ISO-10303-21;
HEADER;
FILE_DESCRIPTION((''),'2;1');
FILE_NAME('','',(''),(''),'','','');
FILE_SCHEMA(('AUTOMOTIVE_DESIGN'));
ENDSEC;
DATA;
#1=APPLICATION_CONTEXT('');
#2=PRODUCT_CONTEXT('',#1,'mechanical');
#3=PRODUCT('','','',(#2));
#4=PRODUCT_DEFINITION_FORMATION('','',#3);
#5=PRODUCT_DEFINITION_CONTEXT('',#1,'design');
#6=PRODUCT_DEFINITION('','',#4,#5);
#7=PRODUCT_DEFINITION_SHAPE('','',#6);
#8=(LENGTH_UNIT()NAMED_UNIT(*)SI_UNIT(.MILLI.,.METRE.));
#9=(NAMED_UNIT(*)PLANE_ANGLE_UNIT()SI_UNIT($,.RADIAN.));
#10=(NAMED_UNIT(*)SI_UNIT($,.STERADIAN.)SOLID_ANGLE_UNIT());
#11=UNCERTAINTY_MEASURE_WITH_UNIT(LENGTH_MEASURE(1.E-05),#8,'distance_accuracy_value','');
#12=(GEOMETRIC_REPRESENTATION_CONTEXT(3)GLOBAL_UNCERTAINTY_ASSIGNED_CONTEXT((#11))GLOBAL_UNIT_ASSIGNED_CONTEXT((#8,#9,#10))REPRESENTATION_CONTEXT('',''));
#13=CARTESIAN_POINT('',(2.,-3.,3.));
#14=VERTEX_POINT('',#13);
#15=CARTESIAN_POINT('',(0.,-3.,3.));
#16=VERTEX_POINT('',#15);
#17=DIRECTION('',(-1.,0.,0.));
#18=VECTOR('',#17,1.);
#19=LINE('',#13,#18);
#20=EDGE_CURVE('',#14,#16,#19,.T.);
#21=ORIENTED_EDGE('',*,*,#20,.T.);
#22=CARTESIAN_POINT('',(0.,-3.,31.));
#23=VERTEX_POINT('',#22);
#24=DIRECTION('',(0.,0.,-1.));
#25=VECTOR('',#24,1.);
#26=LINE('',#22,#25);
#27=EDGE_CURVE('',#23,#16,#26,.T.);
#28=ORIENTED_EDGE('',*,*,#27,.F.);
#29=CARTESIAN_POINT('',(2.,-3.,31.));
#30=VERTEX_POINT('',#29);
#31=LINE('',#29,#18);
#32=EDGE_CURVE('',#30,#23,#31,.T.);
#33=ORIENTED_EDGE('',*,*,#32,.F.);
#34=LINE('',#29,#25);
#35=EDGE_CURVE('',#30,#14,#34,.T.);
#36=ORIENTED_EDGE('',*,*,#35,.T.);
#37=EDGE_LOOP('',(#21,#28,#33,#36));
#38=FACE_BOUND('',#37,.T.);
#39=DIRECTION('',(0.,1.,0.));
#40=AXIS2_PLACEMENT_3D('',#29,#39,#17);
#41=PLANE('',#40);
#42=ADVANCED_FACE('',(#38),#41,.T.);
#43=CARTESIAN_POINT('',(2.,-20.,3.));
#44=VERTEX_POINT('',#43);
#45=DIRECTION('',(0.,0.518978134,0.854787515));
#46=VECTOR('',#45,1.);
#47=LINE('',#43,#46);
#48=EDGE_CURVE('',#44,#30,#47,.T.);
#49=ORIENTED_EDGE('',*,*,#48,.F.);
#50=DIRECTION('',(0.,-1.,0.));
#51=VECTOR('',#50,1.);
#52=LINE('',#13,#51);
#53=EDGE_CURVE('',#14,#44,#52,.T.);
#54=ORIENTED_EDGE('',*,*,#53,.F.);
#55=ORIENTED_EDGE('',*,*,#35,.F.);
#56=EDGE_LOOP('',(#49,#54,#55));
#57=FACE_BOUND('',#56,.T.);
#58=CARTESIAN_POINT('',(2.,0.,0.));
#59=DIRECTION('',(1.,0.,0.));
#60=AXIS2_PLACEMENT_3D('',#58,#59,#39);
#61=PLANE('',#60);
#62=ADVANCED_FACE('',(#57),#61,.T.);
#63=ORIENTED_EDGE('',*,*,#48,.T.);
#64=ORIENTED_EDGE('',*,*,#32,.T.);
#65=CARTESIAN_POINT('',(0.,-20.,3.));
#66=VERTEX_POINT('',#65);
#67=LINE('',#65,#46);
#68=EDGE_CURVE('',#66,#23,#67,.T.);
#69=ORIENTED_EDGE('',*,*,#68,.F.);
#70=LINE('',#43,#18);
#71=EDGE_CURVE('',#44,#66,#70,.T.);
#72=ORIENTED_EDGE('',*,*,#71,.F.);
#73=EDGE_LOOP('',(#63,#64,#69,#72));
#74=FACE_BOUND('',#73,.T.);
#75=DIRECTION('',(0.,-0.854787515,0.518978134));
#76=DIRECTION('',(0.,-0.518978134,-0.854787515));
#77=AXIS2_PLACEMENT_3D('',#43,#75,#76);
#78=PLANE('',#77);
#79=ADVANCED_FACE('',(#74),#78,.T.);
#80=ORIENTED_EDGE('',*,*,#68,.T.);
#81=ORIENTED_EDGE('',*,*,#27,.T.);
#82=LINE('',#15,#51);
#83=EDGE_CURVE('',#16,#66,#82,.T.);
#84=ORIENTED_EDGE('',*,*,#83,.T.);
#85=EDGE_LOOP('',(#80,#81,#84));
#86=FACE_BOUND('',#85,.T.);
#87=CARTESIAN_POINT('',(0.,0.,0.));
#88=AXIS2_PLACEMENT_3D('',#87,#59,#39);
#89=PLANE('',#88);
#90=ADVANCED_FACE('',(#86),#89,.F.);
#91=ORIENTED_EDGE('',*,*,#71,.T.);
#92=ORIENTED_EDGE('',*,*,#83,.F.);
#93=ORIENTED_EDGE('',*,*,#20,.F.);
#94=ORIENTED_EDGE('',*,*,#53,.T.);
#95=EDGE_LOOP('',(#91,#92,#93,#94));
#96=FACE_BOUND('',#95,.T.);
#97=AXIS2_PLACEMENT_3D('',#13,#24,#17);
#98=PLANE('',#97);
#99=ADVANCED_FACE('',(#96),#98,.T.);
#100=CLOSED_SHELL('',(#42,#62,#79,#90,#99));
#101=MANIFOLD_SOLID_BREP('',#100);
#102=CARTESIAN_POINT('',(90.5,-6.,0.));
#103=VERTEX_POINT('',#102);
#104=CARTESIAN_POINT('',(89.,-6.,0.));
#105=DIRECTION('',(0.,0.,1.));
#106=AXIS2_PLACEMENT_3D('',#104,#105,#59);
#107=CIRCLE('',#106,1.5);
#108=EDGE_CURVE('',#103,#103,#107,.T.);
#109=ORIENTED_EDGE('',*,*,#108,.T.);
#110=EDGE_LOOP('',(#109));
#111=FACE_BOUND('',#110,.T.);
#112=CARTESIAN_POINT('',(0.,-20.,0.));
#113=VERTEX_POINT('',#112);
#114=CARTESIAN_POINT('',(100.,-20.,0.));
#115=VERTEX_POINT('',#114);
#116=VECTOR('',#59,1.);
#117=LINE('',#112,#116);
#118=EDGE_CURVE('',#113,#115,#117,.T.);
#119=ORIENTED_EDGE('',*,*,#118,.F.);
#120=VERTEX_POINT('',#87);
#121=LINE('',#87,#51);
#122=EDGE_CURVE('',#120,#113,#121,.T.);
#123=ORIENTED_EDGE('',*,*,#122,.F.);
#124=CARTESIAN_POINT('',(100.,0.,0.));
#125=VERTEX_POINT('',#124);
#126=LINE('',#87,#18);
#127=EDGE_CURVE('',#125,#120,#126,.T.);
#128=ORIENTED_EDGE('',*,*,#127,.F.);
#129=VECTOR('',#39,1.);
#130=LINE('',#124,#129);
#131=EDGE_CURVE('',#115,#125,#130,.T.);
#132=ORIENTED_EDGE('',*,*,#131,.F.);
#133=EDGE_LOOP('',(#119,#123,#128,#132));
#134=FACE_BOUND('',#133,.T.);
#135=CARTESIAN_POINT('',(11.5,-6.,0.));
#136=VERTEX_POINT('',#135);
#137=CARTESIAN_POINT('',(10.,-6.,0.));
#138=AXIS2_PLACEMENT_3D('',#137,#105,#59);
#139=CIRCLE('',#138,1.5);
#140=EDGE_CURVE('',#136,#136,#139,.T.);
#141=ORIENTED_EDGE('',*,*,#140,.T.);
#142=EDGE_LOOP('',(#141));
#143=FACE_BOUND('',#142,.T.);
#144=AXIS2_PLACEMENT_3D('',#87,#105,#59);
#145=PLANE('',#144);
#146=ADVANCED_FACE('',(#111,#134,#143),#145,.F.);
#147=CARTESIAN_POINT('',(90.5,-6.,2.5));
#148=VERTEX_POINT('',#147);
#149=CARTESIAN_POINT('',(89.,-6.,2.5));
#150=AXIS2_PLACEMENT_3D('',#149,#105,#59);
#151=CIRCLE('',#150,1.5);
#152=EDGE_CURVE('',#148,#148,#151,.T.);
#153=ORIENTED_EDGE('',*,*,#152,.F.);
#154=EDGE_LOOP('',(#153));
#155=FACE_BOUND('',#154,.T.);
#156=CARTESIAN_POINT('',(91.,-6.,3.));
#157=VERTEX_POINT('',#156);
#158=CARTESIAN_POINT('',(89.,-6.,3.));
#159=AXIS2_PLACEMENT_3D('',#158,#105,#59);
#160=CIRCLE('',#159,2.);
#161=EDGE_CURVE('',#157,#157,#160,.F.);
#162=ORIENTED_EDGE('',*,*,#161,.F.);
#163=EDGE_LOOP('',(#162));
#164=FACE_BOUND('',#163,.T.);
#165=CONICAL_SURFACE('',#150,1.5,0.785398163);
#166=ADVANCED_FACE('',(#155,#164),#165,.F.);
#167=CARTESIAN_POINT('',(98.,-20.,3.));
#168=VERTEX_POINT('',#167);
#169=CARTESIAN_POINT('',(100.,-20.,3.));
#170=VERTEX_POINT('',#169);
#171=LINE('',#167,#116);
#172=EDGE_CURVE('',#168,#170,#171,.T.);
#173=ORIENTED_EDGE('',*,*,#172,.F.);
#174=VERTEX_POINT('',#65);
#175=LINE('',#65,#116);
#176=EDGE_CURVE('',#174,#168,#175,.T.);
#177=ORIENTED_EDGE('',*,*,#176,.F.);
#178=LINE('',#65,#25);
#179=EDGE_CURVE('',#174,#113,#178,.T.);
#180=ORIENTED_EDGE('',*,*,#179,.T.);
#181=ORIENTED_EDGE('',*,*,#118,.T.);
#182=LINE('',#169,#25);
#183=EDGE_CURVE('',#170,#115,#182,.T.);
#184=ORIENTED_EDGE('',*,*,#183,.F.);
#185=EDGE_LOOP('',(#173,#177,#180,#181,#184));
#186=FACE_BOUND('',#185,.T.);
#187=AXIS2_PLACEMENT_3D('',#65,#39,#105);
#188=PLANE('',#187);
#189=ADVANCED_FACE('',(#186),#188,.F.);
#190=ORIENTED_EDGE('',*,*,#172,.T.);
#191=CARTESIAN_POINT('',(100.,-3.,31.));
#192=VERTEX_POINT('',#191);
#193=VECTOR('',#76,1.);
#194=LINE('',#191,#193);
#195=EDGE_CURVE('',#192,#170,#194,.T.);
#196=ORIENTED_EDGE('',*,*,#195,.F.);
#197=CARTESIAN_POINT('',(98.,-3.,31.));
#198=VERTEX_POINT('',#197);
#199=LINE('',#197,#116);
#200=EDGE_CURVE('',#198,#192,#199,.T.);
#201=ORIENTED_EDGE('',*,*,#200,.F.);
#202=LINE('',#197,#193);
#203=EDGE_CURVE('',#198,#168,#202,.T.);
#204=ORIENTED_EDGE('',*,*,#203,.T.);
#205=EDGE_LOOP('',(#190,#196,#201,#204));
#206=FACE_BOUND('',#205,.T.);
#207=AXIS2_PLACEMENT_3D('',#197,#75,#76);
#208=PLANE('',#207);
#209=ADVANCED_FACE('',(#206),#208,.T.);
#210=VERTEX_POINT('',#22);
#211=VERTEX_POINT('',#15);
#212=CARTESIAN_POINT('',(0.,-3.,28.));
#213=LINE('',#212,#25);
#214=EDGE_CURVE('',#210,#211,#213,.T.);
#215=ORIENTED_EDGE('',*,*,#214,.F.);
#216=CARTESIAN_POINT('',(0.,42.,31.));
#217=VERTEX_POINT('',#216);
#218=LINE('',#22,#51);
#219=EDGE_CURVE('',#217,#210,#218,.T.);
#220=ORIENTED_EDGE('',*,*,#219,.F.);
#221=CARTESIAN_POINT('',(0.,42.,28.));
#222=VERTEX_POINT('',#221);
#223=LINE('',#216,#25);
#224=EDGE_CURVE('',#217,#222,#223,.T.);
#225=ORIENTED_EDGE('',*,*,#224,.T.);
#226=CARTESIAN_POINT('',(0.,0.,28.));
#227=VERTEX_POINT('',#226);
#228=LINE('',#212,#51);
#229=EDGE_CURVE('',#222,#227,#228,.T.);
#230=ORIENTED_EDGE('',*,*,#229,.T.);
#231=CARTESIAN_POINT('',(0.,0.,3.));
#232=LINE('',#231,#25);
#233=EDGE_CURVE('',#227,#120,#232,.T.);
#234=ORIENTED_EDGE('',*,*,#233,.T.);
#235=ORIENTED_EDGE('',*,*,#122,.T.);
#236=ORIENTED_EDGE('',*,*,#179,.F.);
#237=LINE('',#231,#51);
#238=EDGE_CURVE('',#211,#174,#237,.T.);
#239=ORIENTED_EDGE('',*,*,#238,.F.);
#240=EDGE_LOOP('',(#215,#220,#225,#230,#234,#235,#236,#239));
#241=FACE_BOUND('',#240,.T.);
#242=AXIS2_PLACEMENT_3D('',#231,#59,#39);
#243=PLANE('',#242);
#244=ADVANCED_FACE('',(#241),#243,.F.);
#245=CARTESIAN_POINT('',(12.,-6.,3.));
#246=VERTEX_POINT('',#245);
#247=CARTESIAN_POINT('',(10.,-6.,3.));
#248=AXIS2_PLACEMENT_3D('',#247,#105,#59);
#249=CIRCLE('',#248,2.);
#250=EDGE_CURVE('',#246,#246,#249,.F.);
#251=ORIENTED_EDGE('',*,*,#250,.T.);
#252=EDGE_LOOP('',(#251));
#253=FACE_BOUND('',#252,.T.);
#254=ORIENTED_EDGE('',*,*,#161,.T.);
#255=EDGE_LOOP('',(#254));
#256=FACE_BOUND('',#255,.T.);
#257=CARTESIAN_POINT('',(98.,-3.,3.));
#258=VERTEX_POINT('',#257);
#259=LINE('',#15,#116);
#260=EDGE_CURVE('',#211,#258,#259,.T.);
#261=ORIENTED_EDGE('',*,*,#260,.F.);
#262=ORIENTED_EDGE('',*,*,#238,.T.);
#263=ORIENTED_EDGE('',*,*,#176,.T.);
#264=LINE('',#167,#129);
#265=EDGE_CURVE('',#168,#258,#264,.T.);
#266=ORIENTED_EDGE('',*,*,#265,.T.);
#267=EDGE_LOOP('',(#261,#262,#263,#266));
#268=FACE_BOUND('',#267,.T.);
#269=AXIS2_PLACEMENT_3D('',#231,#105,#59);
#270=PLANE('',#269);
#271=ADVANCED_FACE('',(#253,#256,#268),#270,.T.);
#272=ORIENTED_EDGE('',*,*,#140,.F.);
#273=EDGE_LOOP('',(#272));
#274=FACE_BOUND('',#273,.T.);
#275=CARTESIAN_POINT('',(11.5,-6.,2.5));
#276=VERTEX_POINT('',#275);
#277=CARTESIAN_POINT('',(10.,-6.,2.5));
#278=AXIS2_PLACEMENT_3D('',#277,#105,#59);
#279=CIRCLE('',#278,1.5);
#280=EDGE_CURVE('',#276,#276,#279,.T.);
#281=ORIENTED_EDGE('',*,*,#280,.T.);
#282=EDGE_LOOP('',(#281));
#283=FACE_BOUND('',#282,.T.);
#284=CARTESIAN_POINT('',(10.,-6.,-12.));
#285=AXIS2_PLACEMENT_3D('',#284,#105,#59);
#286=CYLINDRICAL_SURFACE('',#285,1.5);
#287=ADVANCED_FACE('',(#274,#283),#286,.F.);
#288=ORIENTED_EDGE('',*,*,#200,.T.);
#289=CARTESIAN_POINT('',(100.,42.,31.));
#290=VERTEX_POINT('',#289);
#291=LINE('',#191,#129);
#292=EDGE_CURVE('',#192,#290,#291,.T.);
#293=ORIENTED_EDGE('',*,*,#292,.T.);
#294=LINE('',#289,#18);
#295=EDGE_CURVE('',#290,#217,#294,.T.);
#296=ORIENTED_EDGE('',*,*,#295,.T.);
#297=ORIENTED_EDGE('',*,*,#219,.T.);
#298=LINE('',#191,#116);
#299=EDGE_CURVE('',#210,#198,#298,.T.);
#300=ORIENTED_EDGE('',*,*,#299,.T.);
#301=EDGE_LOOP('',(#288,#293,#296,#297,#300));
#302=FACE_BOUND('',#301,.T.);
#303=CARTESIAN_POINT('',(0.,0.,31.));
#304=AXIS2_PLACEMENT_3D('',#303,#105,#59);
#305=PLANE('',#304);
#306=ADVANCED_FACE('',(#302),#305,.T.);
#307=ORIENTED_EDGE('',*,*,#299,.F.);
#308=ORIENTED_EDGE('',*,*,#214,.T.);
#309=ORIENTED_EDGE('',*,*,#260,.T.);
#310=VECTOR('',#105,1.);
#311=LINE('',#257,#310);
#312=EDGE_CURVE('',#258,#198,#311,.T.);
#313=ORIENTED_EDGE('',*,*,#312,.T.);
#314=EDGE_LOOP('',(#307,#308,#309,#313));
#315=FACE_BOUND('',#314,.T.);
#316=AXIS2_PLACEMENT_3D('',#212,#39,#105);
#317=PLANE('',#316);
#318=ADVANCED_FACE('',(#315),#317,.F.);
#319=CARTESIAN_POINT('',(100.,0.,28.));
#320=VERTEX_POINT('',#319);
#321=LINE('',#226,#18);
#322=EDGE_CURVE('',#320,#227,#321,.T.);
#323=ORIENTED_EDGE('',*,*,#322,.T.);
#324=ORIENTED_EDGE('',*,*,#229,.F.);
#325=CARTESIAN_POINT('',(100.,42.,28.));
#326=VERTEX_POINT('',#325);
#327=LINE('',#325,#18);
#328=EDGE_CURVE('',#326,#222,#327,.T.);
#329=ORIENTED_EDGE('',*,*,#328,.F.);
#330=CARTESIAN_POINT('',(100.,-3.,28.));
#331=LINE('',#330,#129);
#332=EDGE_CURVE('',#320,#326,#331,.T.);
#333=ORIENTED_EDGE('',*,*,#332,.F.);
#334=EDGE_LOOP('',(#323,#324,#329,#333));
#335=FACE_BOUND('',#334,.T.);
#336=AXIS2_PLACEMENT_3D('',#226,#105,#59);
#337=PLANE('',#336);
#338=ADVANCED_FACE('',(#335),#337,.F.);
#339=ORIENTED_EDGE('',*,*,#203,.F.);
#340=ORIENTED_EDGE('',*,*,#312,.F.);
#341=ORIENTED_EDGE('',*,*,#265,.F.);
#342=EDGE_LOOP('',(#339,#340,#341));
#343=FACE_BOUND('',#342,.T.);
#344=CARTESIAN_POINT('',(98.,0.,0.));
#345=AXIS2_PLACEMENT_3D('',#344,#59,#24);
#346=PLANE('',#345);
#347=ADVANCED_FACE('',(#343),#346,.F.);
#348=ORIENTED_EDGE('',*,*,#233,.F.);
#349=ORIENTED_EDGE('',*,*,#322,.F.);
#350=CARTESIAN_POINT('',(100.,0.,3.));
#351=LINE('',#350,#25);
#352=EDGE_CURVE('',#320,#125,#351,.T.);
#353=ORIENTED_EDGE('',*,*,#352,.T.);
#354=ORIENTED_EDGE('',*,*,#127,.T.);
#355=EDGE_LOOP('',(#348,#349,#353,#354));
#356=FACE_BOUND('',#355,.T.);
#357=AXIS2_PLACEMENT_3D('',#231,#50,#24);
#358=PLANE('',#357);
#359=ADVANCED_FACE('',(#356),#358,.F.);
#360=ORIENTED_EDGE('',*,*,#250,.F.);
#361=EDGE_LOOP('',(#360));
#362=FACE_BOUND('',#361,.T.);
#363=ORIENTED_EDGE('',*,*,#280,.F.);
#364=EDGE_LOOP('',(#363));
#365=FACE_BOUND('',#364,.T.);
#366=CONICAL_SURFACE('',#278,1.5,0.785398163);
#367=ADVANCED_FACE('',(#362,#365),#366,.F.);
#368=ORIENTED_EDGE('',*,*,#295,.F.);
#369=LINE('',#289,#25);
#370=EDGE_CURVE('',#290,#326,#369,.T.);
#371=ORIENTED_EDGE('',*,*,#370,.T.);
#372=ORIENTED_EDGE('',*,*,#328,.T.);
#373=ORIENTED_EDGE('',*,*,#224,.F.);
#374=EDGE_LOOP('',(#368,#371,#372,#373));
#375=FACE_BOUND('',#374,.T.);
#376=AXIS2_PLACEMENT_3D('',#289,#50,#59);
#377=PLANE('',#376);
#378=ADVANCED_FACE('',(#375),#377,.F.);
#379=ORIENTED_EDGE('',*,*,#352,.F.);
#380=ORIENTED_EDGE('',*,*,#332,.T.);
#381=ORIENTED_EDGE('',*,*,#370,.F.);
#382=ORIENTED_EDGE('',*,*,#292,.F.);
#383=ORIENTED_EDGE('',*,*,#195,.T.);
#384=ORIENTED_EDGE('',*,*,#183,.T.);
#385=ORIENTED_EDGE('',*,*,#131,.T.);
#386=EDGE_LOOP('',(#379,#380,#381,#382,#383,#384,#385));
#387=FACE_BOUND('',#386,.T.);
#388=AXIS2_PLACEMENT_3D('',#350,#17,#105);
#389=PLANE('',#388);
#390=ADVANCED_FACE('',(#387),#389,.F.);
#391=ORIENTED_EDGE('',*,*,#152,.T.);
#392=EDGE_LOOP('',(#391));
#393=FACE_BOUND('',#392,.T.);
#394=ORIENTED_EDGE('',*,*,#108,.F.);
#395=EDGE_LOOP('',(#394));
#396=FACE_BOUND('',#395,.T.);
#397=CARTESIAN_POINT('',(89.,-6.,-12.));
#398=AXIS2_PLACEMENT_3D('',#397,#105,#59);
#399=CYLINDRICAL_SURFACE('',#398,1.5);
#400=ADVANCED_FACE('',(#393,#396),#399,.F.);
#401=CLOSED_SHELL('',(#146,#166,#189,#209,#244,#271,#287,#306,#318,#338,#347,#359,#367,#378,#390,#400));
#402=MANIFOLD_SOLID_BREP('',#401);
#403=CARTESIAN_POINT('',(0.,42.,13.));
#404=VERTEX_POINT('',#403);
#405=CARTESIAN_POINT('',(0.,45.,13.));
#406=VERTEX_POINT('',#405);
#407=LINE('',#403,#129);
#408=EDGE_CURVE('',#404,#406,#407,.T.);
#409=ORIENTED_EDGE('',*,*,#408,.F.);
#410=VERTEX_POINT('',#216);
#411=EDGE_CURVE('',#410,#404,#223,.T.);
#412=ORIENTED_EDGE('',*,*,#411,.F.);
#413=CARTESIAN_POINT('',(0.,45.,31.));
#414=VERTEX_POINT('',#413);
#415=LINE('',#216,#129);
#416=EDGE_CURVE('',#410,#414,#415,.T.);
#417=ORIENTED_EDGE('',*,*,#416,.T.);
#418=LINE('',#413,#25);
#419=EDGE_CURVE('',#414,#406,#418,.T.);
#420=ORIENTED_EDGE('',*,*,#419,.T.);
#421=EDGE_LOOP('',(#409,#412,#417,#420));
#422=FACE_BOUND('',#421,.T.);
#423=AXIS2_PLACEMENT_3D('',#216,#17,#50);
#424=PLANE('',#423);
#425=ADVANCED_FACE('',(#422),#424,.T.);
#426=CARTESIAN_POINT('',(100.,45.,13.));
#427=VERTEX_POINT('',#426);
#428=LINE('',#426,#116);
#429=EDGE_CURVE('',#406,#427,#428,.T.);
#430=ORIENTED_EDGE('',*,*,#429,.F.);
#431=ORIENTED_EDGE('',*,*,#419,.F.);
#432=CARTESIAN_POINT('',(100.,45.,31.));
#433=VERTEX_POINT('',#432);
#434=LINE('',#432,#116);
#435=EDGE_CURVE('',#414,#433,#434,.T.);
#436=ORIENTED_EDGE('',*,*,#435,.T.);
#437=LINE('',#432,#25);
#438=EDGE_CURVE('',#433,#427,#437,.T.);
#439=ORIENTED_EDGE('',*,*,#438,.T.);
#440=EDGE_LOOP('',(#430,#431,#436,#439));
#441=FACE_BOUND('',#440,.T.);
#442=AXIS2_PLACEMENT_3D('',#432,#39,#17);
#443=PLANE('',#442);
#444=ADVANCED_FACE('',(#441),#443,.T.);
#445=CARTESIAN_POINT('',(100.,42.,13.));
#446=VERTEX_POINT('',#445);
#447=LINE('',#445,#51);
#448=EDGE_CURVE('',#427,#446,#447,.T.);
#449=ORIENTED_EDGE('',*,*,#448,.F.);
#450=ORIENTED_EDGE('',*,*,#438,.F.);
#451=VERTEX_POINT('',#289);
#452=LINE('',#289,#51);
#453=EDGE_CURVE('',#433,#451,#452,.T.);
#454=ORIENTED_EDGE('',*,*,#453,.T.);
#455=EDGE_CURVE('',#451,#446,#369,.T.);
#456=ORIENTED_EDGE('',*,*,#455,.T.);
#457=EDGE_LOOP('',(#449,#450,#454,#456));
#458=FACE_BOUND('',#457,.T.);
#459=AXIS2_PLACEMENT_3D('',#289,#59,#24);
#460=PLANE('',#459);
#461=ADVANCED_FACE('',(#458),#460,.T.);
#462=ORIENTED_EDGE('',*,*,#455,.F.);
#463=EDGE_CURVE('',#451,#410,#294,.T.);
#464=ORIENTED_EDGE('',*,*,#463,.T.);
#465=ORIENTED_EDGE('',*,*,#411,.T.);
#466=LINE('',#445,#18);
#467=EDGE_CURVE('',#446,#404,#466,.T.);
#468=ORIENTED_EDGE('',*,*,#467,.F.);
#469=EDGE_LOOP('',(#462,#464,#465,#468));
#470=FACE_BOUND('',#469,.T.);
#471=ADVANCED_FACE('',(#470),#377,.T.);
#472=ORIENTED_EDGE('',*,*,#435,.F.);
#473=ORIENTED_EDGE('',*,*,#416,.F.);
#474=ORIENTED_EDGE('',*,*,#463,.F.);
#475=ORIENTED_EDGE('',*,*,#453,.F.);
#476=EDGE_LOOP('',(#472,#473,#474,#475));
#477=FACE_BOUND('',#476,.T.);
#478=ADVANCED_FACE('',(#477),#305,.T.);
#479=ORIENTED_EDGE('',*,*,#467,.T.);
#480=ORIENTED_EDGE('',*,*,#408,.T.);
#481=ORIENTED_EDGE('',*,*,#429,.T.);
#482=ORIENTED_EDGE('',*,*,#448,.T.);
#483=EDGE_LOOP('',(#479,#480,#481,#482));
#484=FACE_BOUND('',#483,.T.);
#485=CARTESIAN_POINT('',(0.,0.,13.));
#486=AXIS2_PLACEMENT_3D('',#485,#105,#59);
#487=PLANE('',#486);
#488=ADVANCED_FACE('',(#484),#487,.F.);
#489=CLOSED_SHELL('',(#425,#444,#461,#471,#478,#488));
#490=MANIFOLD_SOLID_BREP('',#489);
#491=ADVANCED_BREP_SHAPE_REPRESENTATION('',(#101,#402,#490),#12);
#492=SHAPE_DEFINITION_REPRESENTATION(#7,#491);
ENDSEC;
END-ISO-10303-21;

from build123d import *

# Parameters (mm, degrees)
SKETCH_1_W           = 100
SKETCH_1_H           = 20
EXTRUDE_1_DEPTH      = 3
SKETCH_2_W           = 100
SKETCH_2_H           = 3
EXTRUDE_2_DEPTH      = 25
SKETCH_3_W           = 100
SKETCH_3_H           = 45
EXTRUDE_3_DEPTH      = 3
EXTRUDE_4_DEPTH      = 15
EXTRUDE_4_DEPTH_BACK = 3
SKETCH_4_W           = 100
SKETCH_4_H           = 3
SKETCH_5_R           = 1.5
CUT_EXTRUDE_1_DEPTH  = 15
CHAMFER_1_SIZE       = 0.5
EXTRUDE_5_DEPTH      = 2
EXTRUDE_6_DEPTH      = 2


with BuildPart() as part:
    # 草图1 → 凸台-拉伸1 (new body)
    with BuildSketch(Plane.XY):
        with Locations((50, -10)):
            Rectangle(SKETCH_1_W, SKETCH_1_H)
    extrude(amount=EXTRUDE_1_DEPTH)

    # 草图2 → 凸台-拉伸2 (add)
    with BuildSketch(Plane.XY.offset(3)):
        with Locations((50, -1.5)):
            Rectangle(SKETCH_2_W, SKETCH_2_H)
    extrude(amount=EXTRUDE_2_DEPTH)

    # 草图3 → 凸台-拉伸3 (add)
    with BuildSketch(Plane.XY.offset(28)):
        with Locations((50, 19.5)):
            Rectangle(SKETCH_3_W, SKETCH_3_H)
    extrude(amount=EXTRUDE_3_DEPTH)

    # 草图5 → 切除-拉伸1 (cut)
    with BuildSketch(Plane.XY.offset(3)):
        with Locations((10, -6)):
            Circle(SKETCH_5_R)
        with Locations((89, -6)):
            Circle(SKETCH_5_R)
    extrude(amount=-CUT_EXTRUDE_1_DEPTH, mode=Mode.SUBTRACT)

    # 倒角1
    chamfer_1_edges = [part.edges().sort_by_distance(p)[0] for p in [
        (8.5, -6, 3),
        (87.5, -6, 3),
    ]]
    chamfer(chamfer_1_edges, length=CHAMFER_1_SIZE)

    # 草图7 → 凸台-拉伸6 (add)
    with BuildSketch(Plane(origin=(100, 0, 0), x_dir=(0, 0, -1), z_dir=(1, 0, 0))):
        Polygon((-3, -20), (-3, -3), (-31, -3), align=None)
    extrude(amount=-EXTRUDE_6_DEPTH)


with BuildPart() as body_2:
    # 草图4 → 凸台-拉伸4 (new, two sides: drawn at the far end of the back side and taken through both)
    with BuildSketch(Plane(origin=(0, 0, 28), x_dir=(-1, 0, 0), z_dir=(0, 0, -1)).offset(-EXTRUDE_4_DEPTH_BACK)):
        with Locations((-50, 43.5)):
            Rectangle(SKETCH_4_W, SKETCH_4_H)
    extrude(amount=EXTRUDE_4_DEPTH + EXTRUDE_4_DEPTH_BACK)


with BuildPart() as body_3:
    # 草图6 → 凸台-拉伸5 (new body)
    with BuildSketch(Plane.ZY):
        Polygon((3, -20), (31, -3), (3, -3), align=None)
    extrude(amount=-EXTRUDE_5_DEPTH)


solid = Compound([part.part, body_2.part, body_3.part])
